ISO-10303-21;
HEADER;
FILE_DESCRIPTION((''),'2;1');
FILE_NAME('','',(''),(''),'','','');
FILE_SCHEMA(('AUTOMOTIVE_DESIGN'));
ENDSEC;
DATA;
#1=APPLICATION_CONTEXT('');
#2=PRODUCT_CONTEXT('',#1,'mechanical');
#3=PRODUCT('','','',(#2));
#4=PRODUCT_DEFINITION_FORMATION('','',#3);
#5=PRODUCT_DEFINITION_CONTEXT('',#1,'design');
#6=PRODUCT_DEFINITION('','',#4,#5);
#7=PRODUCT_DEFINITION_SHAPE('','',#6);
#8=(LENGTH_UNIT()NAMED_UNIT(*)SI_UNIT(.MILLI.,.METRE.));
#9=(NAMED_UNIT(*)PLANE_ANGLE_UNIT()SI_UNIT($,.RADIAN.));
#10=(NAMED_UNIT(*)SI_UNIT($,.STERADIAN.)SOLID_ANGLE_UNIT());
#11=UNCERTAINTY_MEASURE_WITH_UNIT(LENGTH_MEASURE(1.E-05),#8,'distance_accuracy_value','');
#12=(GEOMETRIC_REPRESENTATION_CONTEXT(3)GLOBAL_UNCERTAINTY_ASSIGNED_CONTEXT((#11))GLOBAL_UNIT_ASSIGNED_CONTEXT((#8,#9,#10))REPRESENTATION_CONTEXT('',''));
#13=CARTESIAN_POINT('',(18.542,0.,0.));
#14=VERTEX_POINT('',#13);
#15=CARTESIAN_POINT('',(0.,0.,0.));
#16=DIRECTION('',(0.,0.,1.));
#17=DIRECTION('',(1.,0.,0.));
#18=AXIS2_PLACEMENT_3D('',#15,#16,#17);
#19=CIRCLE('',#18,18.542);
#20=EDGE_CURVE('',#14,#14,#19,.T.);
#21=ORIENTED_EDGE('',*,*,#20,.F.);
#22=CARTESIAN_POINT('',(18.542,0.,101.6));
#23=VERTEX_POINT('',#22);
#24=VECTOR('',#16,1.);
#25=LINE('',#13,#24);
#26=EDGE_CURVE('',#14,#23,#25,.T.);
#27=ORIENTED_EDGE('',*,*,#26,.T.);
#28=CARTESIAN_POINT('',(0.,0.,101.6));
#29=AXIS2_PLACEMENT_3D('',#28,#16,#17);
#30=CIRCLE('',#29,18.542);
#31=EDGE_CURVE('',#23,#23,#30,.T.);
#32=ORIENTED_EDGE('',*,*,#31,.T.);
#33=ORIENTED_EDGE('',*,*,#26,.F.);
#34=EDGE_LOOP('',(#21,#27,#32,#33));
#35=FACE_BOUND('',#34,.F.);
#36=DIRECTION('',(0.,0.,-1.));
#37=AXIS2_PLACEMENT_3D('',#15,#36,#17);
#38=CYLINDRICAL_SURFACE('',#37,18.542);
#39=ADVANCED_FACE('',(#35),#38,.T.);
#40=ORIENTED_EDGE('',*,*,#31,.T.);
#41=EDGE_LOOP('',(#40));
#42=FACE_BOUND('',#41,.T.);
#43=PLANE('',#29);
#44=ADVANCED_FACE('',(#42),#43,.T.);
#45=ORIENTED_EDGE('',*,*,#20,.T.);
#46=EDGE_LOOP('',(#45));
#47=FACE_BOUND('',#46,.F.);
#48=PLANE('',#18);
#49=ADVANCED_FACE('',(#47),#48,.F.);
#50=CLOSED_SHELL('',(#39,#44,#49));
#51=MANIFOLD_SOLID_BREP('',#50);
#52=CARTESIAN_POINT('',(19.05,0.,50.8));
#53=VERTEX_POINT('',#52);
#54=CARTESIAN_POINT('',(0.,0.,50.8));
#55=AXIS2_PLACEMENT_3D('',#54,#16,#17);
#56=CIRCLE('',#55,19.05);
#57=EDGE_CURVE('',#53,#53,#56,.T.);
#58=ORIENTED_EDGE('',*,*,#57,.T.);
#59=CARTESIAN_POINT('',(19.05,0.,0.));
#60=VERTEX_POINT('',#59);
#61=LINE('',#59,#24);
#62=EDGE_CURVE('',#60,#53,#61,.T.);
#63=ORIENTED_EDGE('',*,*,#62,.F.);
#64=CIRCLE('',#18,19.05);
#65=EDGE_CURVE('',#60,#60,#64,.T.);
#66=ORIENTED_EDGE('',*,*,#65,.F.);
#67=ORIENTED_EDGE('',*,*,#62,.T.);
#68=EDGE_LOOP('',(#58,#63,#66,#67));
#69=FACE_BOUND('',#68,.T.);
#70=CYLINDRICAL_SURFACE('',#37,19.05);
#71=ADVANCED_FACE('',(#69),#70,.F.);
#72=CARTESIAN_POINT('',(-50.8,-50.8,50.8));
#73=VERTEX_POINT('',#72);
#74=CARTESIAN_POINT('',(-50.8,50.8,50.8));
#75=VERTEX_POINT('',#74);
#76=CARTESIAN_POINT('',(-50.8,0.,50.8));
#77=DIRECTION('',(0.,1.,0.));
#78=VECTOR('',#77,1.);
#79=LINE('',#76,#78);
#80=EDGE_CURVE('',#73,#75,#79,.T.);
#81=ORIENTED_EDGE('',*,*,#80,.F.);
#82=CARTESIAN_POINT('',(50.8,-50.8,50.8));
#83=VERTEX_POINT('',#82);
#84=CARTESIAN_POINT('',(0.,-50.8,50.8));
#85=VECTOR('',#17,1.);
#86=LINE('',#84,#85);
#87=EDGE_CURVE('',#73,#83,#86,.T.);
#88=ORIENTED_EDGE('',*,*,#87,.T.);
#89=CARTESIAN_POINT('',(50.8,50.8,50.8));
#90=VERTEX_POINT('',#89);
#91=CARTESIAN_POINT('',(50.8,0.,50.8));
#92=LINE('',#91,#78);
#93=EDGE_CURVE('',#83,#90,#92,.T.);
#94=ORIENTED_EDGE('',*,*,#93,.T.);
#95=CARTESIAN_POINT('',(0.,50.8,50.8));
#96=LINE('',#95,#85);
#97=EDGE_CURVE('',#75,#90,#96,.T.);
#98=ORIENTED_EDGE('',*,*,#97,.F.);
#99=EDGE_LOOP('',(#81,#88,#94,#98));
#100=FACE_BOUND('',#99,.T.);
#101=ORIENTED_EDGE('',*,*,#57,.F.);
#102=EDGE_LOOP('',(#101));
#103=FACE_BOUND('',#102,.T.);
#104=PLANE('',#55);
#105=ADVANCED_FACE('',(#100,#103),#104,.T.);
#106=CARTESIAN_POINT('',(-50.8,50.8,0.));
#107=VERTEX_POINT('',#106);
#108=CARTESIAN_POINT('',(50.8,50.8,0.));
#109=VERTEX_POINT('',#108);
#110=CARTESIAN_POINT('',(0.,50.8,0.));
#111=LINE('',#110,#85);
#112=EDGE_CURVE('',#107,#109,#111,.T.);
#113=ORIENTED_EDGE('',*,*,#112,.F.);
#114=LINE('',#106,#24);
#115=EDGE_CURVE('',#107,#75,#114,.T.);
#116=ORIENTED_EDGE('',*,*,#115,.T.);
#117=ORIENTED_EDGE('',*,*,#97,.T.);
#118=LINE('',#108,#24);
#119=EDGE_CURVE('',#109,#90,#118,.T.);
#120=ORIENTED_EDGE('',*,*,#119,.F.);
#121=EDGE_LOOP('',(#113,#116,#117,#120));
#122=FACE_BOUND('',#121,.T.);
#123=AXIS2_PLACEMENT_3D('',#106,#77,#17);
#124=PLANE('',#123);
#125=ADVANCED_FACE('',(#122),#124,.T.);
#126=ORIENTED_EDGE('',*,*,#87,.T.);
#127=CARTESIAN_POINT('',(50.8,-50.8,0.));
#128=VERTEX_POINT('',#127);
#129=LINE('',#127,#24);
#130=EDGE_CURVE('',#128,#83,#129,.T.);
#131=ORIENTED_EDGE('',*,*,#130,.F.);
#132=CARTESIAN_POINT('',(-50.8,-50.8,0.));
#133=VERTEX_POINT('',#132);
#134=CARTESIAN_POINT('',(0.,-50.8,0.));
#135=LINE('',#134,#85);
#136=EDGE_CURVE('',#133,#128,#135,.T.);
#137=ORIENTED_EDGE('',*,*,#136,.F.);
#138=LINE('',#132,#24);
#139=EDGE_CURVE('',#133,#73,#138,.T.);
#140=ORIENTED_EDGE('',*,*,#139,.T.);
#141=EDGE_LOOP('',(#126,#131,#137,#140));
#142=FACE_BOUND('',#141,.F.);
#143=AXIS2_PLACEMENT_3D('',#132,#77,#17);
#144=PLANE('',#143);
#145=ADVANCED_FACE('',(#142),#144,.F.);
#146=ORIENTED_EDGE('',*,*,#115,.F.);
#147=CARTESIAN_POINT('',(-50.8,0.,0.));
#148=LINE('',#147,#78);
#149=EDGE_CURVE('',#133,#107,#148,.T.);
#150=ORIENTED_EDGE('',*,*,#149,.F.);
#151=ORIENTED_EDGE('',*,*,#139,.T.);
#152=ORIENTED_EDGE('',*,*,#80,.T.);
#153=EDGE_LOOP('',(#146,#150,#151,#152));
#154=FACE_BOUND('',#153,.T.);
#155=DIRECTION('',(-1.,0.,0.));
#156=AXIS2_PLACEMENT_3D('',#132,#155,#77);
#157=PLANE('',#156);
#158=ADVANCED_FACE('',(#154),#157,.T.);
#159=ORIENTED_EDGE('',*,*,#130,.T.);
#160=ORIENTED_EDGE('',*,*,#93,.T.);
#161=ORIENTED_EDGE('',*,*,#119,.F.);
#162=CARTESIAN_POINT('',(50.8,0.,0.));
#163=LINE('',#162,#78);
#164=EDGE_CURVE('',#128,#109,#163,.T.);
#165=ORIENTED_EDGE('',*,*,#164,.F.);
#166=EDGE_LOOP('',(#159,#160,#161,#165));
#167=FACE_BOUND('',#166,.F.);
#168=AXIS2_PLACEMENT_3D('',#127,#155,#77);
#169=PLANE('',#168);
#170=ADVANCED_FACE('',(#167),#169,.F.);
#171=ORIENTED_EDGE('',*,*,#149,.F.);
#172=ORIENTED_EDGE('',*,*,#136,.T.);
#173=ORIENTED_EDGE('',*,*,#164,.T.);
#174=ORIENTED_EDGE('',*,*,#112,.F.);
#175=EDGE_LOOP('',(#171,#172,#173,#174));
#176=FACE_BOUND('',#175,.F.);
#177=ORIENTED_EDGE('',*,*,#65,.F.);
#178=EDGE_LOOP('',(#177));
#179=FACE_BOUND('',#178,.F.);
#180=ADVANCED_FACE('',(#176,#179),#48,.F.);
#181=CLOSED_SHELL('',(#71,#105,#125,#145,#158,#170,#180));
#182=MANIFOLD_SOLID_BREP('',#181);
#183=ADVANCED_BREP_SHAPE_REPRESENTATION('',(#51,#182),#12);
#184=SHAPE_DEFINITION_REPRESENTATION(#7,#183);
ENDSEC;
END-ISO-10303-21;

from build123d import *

# Parameters (mm, degrees)
F0_W     = 101.6
F0_H     = 101.6
F0_R     = 19.05
F1_DEPTH = 50.8
F2_R     = 18.542
F3_DEPTH = 101.6


with BuildPart() as f1:
    # F0 (on Top) → F1 (new body)
    with BuildSketch(Plane.XY):
        Rectangle(F0_W, F0_H)
        Circle(F0_R, mode=Mode.SUBTRACT)
    extrude(amount=F1_DEPTH)


with BuildPart() as f3:
    # F2 (on Top) → F3 (new body)
    with BuildSketch(Plane.XY):
        Circle(F2_R)
    extrude(amount=F3_DEPTH)


solid = Compound([f1.part, f3.part])
